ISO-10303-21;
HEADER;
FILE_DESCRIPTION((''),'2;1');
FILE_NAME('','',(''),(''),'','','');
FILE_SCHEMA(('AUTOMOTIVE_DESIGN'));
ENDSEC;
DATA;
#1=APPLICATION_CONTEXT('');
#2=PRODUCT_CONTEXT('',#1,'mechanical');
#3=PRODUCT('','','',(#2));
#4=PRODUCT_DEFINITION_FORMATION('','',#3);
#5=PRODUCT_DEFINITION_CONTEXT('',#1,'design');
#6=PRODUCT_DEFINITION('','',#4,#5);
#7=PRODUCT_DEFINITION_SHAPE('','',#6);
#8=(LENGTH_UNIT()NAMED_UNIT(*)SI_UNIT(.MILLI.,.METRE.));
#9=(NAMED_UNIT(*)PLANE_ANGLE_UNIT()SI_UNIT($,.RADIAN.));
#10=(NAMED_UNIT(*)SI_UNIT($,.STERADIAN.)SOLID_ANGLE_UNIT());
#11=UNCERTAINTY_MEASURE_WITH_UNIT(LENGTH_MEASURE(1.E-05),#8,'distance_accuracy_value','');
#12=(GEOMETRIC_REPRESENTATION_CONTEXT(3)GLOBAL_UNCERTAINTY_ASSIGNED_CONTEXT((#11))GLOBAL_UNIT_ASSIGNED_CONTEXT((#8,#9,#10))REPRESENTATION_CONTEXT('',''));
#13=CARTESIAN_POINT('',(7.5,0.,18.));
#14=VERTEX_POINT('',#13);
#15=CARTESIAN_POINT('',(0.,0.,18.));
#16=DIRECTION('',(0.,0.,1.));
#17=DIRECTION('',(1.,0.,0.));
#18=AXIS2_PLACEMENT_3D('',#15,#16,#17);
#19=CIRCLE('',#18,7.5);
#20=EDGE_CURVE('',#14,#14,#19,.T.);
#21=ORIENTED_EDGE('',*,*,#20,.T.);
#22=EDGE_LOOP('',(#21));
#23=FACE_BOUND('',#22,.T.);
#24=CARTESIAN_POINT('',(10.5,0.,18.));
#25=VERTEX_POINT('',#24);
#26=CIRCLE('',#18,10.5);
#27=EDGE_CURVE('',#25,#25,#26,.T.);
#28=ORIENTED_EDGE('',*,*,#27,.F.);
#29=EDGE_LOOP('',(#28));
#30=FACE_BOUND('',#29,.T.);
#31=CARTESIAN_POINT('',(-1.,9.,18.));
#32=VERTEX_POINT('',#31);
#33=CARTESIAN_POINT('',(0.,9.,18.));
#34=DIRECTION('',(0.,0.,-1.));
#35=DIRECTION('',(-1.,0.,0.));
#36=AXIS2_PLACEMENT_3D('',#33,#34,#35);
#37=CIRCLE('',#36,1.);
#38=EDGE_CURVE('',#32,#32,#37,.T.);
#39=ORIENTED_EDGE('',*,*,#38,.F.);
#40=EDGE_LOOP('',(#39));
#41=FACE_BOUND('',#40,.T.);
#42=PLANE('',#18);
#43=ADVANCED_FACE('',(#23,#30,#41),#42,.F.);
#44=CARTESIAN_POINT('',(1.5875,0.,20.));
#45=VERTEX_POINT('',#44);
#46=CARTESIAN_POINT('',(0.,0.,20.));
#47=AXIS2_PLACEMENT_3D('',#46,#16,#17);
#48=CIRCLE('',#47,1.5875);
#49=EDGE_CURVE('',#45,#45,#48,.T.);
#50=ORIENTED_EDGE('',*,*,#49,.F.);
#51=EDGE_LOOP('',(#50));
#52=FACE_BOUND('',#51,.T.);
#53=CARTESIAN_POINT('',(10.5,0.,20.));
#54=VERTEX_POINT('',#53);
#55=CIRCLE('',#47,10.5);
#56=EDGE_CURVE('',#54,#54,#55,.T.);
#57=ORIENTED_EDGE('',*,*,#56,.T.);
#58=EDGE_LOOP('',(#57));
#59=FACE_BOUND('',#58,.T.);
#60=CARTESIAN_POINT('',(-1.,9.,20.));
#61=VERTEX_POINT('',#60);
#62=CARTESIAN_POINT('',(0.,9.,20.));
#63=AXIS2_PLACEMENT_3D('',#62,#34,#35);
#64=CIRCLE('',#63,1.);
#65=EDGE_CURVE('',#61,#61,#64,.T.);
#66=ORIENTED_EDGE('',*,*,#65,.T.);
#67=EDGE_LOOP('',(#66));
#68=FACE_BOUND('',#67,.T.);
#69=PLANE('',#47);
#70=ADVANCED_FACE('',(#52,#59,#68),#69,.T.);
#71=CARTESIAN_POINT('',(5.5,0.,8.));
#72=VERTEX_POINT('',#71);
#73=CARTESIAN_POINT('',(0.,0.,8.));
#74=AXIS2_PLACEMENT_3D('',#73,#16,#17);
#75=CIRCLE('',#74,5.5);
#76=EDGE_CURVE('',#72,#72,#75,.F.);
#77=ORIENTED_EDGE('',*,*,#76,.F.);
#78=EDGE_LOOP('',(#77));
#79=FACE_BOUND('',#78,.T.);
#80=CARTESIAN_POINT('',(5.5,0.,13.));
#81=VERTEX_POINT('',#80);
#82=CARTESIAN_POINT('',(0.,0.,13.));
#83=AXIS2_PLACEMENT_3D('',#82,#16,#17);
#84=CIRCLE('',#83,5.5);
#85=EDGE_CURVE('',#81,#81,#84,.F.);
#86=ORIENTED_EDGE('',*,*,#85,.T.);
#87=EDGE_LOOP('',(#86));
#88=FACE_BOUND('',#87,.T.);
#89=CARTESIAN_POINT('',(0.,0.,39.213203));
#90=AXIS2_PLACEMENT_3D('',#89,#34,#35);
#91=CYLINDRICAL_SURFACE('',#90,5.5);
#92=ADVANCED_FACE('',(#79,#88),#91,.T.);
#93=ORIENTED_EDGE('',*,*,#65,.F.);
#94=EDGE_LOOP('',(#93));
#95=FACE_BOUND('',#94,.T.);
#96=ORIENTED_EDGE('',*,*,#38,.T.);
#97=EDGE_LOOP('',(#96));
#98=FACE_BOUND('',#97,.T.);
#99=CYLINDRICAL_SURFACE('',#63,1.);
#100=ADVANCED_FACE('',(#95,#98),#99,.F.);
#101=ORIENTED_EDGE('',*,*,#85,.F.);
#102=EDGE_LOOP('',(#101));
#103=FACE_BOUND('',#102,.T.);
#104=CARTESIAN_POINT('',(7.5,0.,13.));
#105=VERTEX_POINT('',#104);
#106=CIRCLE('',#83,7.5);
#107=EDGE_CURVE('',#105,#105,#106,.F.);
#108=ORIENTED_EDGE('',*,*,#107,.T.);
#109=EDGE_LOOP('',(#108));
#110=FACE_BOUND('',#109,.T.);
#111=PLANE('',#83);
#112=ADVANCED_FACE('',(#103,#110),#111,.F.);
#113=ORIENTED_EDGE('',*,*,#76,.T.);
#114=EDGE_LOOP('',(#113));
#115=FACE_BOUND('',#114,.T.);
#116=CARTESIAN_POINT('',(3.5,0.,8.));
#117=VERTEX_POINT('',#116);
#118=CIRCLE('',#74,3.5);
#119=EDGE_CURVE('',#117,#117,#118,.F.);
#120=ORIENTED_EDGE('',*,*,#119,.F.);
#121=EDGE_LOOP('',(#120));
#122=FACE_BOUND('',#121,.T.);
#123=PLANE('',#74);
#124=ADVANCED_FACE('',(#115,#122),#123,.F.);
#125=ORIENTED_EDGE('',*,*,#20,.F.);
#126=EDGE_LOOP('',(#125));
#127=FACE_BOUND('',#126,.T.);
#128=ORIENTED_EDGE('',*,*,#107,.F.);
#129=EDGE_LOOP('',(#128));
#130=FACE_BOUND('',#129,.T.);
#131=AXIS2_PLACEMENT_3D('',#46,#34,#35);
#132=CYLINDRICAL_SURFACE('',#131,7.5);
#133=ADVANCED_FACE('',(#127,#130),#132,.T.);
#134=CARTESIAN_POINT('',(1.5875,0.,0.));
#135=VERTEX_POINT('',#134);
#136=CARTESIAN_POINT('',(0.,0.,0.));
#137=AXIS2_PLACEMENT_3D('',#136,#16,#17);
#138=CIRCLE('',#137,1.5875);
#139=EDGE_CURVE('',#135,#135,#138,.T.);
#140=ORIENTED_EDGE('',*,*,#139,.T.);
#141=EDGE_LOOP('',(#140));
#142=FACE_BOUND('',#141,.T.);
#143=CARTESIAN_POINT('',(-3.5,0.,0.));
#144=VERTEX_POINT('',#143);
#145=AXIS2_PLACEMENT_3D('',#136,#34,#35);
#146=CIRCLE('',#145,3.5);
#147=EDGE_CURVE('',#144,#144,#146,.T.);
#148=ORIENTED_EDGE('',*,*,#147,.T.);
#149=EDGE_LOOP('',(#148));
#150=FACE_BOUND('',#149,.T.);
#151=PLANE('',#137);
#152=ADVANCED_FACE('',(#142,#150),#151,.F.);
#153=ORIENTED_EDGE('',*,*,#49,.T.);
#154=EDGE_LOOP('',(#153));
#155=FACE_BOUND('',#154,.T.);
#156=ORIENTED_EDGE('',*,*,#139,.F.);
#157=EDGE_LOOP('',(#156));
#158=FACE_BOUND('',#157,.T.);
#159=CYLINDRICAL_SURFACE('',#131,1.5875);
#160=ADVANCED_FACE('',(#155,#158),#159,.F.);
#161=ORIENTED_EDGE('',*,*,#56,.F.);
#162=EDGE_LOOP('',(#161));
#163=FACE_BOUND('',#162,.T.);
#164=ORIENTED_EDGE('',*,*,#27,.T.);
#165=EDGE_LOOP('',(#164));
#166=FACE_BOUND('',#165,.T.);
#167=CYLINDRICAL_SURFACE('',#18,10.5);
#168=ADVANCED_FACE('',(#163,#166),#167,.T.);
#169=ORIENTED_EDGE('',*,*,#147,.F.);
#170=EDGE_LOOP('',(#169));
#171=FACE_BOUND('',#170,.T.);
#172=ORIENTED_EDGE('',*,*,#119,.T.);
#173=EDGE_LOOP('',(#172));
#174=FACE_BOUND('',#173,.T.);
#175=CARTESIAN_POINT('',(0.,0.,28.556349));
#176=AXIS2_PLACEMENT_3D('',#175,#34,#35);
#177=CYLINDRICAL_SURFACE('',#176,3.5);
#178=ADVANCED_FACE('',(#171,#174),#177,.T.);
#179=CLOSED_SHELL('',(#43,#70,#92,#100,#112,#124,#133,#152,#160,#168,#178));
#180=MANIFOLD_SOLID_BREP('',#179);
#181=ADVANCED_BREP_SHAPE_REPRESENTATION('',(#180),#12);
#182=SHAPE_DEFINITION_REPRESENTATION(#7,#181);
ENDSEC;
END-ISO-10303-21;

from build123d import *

# Parameters (mm, degrees)
SKETCH1_R           = 7.5
SKETCH1_R_2         = 1.5875
BOSS_EXTRUDE1_DEPTH = 20
SKETCH2_R           = 10.5
SKETCH2_R_2         = 7.5
SKETCH2_R_3         = 1.5875
BOSS_EXTRUDE2_DEPTH = 2
SKETCH3_R           = 1
CUT_EXTRUDE1_DEPTH  = 3
SKETCH4_R           = 7.5
SKETCH4_R_2         = 5.5
CUT_EXTRUDE2_DEPTH  = 13
SKETCH5_R           = 5.5
SKETCH5_R_2         = 3.5
CUT_EXTRUDE3_DEPTH  = 8


with BuildPart() as part:
    # Sketch1 → Boss-Extrude1 (new body)
    with BuildSketch(Plane.XY):
        Circle(SKETCH1_R)
        Circle(SKETCH1_R_2, mode=Mode.SUBTRACT)
    extrude(amount=BOSS_EXTRUDE1_DEPTH)

    # Sketch2 → Boss-Extrude2 (add)
    with BuildSketch(Plane.XY.offset(20)):
        Circle(SKETCH2_R)
        Circle(SKETCH2_R_2, mode=Mode.SUBTRACT)
        Circle(SKETCH2_R_2)
        Circle(SKETCH2_R_3, mode=Mode.SUBTRACT)
    extrude(amount=-BOSS_EXTRUDE2_DEPTH)

    # Sketch3 → Cut-Extrude1 (cut, through all)
    with BuildSketch(Plane(origin=(0, 0, 18), x_dir=(-1, 0, 0), z_dir=(0, 0, -1))):
        with Locations((0, 9)):
            Circle(SKETCH3_R)
    extrude(amount=-CUT_EXTRUDE1_DEPTH, mode=Mode.SUBTRACT)

    # Sketch4 → Cut-Extrude2 (cut)
    with BuildSketch(Plane(origin=(0, 0, 0), x_dir=(-1, 0, 0), z_dir=(0, 0, -1))):
        Circle(SKETCH4_R)
        Circle(SKETCH4_R_2, mode=Mode.SUBTRACT)
    extrude(amount=-CUT_EXTRUDE2_DEPTH, mode=Mode.SUBTRACT)

    # Sketch5 → Cut-Extrude3 (cut)
    with BuildSketch(Plane(origin=(0, 0, 0), x_dir=(-1, 0, 0), z_dir=(0, 0, -1))):
        Circle(SKETCH5_R)
        Circle(SKETCH5_R_2, mode=Mode.SUBTRACT)
    extrude(amount=-CUT_EXTRUDE3_DEPTH, mode=Mode.SUBTRACT)


solid = part.part
